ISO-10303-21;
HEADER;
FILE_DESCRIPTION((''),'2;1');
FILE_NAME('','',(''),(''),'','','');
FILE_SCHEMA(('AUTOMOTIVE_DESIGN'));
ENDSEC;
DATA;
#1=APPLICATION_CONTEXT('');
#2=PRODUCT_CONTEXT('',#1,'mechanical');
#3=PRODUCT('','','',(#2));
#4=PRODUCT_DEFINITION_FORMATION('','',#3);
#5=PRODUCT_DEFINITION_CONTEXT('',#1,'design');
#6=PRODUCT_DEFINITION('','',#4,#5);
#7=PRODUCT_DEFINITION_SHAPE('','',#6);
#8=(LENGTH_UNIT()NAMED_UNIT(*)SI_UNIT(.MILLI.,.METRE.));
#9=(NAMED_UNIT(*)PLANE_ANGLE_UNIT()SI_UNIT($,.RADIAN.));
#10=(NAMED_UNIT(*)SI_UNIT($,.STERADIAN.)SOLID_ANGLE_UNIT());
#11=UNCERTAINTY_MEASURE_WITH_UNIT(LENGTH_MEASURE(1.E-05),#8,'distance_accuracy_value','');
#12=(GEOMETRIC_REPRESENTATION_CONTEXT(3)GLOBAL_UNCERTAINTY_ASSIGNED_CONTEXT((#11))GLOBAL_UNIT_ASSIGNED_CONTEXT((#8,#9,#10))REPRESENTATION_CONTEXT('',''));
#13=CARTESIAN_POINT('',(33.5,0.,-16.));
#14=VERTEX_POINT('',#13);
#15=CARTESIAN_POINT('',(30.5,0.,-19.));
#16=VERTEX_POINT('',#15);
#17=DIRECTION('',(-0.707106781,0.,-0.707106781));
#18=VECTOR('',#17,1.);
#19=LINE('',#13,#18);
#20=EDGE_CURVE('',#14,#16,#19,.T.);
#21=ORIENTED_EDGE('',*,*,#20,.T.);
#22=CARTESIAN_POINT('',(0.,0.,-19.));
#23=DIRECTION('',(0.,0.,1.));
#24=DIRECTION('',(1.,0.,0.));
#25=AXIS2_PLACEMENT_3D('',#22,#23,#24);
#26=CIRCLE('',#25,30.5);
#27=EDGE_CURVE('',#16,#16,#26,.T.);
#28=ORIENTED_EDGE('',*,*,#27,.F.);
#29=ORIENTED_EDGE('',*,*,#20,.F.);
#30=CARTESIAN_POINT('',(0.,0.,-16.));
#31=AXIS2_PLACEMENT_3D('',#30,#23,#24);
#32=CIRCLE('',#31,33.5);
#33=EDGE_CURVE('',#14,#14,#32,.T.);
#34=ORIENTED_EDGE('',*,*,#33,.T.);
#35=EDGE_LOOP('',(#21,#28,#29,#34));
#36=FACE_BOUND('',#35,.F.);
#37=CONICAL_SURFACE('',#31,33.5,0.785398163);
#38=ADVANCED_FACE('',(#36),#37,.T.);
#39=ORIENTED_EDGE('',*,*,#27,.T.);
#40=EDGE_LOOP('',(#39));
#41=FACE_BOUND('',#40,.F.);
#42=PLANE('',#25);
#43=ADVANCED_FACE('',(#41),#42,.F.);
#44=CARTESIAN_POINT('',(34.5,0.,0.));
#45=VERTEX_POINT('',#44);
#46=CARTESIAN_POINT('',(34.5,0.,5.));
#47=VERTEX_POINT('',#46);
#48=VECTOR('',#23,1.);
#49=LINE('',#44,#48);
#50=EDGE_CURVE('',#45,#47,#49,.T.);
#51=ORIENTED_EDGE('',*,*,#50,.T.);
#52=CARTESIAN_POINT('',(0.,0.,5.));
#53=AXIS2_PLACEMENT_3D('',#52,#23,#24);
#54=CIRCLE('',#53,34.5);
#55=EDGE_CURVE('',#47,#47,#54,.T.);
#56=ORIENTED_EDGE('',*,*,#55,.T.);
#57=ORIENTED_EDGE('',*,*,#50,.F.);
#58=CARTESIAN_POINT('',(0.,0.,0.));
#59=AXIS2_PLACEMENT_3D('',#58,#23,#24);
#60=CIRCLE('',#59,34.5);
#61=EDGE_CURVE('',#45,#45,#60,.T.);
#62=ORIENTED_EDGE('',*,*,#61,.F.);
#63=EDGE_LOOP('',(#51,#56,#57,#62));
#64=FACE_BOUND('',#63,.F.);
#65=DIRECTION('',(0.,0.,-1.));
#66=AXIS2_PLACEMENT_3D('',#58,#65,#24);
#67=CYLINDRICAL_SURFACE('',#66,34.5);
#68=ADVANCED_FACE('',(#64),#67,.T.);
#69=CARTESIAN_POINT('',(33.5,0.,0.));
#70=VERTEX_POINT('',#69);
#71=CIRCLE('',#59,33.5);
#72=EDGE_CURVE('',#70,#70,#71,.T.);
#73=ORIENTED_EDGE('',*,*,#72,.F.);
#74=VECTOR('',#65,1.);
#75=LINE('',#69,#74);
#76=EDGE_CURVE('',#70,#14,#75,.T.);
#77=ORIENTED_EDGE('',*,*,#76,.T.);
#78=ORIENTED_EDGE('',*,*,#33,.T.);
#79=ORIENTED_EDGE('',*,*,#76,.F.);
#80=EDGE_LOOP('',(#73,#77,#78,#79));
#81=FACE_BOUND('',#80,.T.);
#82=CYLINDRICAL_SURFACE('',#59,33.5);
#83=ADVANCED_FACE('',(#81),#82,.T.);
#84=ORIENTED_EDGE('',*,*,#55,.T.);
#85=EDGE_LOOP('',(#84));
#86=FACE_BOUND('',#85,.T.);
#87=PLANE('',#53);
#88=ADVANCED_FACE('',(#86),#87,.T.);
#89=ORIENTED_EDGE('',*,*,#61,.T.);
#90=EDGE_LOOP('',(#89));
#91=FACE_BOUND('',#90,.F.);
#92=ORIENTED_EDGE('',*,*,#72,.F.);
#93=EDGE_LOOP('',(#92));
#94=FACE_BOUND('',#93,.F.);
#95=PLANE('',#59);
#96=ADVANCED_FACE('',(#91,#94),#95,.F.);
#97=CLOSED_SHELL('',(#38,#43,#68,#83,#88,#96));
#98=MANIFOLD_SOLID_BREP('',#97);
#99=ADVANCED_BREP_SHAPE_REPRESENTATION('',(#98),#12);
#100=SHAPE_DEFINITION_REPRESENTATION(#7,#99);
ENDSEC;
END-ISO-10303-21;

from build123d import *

# Parameters (mm, degrees)
F0_R     = 34.5
F0_R_2   = 34
F0_R_3   = 33.5
F1_DEPTH = 5
F2_DEPTH = 19
F4_SIZE  = 3


with BuildPart() as f1:
    # F0 (on Top) → F1 (new body)
    with BuildSketch(Plane.XY):
        Circle(F0_R)
        Circle(F0_R_2, mode=Mode.SUBTRACT)
        Circle(F0_R_2)
        Circle(F0_R_3, mode=Mode.SUBTRACT)
        Circle(F0_R_3)
    extrude(amount=F1_DEPTH)

    # F0 (on Top) → F2 (join)
    with BuildSketch(Plane.XY):
        Circle(F0_R_3)
    extrude(amount=-F2_DEPTH)

    # F4
    f4_edges = [f1.edges().sort_by_distance(p)[0] for p in [
        (-33.5, 0, -19),
    ]]
    chamfer(f4_edges, length=F4_SIZE)


solid = f1.part
